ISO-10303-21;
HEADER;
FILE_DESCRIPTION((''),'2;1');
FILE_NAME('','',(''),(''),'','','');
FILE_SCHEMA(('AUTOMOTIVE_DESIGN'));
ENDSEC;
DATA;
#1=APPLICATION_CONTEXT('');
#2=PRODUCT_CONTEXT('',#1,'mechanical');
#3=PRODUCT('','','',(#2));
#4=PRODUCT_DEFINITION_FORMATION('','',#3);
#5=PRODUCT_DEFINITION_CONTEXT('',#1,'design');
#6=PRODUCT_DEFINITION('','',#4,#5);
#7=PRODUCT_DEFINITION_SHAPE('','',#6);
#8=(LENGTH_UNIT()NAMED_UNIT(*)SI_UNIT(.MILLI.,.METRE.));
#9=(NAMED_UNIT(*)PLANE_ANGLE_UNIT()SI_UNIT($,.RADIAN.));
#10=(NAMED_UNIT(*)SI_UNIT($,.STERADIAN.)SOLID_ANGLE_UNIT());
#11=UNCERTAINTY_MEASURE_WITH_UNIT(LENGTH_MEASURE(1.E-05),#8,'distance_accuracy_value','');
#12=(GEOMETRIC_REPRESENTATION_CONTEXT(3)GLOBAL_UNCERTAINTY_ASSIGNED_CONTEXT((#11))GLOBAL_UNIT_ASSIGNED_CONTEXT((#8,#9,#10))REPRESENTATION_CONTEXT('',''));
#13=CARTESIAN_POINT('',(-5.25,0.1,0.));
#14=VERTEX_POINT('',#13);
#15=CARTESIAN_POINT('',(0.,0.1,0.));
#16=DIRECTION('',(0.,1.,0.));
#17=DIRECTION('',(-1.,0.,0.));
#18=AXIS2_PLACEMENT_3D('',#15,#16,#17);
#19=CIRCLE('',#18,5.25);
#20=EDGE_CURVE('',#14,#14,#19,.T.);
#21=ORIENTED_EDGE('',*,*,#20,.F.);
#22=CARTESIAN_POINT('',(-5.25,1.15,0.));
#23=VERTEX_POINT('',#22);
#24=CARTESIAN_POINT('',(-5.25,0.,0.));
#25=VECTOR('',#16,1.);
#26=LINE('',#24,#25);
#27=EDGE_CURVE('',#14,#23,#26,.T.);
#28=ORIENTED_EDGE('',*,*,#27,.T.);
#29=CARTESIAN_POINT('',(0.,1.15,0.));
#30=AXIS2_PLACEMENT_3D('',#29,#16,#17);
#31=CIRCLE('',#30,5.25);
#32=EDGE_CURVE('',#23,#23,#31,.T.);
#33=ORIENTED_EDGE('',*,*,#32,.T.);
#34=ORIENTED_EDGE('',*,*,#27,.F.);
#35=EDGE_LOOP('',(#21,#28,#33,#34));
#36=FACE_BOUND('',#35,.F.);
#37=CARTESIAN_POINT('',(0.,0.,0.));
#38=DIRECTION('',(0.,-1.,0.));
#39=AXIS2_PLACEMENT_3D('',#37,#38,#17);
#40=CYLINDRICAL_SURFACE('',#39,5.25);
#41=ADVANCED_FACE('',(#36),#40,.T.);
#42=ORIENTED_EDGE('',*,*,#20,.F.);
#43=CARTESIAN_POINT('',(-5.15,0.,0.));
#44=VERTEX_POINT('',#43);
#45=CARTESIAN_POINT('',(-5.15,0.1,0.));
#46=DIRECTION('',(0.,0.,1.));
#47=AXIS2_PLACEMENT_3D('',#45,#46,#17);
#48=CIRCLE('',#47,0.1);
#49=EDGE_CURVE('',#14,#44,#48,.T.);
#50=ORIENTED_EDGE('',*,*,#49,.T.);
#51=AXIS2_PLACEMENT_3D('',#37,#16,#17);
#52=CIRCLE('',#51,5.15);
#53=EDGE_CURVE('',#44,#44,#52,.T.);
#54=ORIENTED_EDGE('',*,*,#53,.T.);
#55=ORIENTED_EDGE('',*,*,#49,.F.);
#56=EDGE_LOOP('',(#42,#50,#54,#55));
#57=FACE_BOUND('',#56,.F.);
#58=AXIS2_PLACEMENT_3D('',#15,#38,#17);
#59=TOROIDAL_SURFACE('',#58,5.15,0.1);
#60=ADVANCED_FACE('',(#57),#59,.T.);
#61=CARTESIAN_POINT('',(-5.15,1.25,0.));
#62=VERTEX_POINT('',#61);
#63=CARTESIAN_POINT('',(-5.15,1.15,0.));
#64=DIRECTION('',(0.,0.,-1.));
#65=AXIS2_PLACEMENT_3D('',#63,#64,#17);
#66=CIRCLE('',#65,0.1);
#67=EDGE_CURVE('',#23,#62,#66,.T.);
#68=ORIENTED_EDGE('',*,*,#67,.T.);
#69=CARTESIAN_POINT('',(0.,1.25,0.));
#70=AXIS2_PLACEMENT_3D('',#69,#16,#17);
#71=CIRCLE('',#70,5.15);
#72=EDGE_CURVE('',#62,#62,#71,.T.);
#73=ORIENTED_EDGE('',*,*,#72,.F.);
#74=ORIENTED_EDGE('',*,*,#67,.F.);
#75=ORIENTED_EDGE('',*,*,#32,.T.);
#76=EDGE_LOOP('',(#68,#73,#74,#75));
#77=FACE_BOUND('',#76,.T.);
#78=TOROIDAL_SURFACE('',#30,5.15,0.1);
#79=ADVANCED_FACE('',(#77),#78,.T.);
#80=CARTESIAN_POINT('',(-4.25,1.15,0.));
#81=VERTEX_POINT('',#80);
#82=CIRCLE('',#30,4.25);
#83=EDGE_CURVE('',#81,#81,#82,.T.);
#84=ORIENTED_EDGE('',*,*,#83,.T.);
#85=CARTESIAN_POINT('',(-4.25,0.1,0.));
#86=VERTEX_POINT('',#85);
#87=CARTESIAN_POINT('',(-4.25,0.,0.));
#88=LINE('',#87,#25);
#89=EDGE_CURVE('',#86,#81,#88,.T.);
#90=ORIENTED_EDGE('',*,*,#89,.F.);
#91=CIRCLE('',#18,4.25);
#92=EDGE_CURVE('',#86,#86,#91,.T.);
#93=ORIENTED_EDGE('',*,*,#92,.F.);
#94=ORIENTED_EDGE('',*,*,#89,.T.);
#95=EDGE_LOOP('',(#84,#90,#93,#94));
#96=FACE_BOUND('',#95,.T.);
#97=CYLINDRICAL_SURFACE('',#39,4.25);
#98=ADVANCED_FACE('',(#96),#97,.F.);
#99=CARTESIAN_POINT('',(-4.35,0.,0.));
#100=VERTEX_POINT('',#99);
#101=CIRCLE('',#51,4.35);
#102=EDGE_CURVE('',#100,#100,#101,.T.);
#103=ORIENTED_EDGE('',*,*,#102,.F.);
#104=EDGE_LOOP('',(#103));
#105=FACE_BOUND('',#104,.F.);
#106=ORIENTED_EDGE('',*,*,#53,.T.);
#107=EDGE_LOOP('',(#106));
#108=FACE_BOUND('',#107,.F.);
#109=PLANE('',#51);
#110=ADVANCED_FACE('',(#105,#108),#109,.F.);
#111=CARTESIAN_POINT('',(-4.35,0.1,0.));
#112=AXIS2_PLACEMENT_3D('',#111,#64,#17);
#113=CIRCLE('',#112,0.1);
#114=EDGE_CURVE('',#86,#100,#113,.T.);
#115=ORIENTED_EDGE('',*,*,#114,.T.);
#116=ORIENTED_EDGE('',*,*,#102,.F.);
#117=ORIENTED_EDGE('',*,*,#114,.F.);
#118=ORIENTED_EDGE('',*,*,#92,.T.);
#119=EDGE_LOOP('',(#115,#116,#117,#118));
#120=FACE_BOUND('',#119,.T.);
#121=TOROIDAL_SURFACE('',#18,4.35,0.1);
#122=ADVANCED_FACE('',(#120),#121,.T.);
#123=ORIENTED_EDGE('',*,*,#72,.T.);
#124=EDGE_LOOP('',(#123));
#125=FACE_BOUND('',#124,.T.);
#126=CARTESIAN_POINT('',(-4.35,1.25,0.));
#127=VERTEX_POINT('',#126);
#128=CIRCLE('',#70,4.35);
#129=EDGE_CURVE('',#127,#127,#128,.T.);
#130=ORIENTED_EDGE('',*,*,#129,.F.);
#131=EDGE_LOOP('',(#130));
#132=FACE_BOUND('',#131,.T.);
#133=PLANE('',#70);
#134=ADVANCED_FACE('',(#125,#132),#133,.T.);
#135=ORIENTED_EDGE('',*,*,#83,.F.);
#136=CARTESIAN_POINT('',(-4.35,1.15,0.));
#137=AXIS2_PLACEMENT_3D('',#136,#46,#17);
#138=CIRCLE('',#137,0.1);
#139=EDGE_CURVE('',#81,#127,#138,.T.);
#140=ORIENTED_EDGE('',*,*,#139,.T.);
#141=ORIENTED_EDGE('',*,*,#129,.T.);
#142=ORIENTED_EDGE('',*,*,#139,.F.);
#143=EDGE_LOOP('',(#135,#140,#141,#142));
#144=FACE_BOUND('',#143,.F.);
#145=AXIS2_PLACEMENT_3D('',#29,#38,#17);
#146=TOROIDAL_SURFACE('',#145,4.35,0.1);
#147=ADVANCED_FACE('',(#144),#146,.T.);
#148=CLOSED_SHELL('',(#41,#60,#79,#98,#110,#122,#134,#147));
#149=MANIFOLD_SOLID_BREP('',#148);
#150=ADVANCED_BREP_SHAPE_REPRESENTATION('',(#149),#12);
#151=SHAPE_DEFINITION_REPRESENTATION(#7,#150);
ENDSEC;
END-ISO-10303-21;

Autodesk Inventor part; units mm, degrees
ref_plane "YZ Plane" through (0, 0, 0) normal (1, 0, 0) x (0, 1, 0)
ref_plane "XZ Plane" through (0, 0, 0) normal (0, 1, 0) x (-1, 0, 0)
ref_plane "XY Plane" through (0, 0, 0) normal (0, 0, 1) x (1, 0, 0)
sketch "Sketch1" plane through (0, 0, 0) normal (0, 1, 0) x (-1, 0, 0)
  circle A0 centre (0, 0) radius 5.25
  circle A1 centre (0, 0) radius 4.25
  dimension "d0" = 10.5
  dimension "d1" = 1
extrude "Extrusion1" add sketch "Sketch1" along normal blind 1.25
fillet "Fillet1" radius 0.1 4 edges at (5.25, 1.25, 0) (4.25, 1.25, 0) (4.25, 0, 0) (5.25, 0, 0)
properties part number "Button_ring" material "Acetal Resin, White"
